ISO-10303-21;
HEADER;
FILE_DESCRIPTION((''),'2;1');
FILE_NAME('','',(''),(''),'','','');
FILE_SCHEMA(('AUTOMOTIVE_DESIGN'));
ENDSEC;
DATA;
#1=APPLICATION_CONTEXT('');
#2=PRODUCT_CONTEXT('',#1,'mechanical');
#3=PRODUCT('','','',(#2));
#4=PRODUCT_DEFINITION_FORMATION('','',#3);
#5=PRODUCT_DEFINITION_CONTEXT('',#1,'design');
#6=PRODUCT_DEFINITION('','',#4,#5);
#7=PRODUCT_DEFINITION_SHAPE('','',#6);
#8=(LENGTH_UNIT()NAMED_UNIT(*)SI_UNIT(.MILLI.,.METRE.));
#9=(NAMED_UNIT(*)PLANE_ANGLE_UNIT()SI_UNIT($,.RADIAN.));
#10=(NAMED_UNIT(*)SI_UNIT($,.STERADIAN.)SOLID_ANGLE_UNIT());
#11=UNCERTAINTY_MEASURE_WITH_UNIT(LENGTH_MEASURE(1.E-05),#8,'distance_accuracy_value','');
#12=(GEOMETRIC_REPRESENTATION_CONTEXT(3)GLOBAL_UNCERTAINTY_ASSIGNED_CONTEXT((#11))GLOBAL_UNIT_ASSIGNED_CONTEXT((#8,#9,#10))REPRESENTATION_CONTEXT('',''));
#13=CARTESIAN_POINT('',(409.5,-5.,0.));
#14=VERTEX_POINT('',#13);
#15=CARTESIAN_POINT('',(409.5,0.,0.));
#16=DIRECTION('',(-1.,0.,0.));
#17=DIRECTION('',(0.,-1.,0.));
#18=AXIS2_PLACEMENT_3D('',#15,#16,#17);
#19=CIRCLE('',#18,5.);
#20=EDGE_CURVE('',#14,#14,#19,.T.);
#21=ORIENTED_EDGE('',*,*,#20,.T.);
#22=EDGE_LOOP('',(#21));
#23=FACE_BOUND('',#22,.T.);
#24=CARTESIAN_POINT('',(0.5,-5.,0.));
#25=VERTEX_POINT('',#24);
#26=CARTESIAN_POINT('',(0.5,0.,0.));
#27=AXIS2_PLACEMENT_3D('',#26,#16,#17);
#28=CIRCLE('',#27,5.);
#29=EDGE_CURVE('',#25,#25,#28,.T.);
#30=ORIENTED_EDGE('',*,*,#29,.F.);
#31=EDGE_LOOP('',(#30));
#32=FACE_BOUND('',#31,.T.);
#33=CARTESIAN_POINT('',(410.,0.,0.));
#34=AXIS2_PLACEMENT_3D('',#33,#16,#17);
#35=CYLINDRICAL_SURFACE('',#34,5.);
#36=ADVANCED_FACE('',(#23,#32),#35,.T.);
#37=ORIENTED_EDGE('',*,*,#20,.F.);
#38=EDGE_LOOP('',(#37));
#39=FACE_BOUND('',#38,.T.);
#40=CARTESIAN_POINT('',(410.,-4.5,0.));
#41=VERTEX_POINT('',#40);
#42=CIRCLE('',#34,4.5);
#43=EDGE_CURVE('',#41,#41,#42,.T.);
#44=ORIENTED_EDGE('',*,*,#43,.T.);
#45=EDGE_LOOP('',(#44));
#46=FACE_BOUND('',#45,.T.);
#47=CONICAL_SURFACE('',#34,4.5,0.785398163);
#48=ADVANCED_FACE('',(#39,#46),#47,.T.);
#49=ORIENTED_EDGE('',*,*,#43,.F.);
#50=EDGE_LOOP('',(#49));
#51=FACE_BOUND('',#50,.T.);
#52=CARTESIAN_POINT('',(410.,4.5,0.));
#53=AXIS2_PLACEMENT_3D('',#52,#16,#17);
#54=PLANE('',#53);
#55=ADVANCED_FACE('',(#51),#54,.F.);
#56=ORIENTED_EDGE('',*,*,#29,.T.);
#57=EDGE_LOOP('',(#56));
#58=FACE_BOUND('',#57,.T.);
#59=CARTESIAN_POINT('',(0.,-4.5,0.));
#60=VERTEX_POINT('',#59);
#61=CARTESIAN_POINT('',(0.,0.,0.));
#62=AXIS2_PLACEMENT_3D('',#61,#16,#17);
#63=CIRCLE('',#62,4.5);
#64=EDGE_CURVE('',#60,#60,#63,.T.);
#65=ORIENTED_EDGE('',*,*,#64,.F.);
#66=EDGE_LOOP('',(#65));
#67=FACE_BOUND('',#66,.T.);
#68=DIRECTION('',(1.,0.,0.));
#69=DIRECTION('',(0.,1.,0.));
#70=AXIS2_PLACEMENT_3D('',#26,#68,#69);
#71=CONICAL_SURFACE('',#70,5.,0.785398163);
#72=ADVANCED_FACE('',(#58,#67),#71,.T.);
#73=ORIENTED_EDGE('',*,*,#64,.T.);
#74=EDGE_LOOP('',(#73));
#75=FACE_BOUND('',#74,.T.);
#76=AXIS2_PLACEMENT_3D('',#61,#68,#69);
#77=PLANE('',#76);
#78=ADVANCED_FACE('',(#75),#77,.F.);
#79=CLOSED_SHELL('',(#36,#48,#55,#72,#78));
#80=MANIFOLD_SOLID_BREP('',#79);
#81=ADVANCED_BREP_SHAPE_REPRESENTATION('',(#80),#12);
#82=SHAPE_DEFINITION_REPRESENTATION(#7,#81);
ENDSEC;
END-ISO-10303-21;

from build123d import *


with BuildPart() as part:
    # Sketch1 → Revolve1 (revolve)
    with BuildSketch(Plane.XY, mode=Mode.PRIVATE) as revolve1_sk:
        Polygon((0, 0), (0, 4.5), (0.5, 5), (409.5, 5), (410, 4.5), (410, 0), align=None)
    revolve(revolve1_sk.sketch.rotate(Axis((410, 0, 0), (-1, 0, 0)), 180), axis=Axis((410, 0, 0), (-1, 0, 0)))


solid = part.part
